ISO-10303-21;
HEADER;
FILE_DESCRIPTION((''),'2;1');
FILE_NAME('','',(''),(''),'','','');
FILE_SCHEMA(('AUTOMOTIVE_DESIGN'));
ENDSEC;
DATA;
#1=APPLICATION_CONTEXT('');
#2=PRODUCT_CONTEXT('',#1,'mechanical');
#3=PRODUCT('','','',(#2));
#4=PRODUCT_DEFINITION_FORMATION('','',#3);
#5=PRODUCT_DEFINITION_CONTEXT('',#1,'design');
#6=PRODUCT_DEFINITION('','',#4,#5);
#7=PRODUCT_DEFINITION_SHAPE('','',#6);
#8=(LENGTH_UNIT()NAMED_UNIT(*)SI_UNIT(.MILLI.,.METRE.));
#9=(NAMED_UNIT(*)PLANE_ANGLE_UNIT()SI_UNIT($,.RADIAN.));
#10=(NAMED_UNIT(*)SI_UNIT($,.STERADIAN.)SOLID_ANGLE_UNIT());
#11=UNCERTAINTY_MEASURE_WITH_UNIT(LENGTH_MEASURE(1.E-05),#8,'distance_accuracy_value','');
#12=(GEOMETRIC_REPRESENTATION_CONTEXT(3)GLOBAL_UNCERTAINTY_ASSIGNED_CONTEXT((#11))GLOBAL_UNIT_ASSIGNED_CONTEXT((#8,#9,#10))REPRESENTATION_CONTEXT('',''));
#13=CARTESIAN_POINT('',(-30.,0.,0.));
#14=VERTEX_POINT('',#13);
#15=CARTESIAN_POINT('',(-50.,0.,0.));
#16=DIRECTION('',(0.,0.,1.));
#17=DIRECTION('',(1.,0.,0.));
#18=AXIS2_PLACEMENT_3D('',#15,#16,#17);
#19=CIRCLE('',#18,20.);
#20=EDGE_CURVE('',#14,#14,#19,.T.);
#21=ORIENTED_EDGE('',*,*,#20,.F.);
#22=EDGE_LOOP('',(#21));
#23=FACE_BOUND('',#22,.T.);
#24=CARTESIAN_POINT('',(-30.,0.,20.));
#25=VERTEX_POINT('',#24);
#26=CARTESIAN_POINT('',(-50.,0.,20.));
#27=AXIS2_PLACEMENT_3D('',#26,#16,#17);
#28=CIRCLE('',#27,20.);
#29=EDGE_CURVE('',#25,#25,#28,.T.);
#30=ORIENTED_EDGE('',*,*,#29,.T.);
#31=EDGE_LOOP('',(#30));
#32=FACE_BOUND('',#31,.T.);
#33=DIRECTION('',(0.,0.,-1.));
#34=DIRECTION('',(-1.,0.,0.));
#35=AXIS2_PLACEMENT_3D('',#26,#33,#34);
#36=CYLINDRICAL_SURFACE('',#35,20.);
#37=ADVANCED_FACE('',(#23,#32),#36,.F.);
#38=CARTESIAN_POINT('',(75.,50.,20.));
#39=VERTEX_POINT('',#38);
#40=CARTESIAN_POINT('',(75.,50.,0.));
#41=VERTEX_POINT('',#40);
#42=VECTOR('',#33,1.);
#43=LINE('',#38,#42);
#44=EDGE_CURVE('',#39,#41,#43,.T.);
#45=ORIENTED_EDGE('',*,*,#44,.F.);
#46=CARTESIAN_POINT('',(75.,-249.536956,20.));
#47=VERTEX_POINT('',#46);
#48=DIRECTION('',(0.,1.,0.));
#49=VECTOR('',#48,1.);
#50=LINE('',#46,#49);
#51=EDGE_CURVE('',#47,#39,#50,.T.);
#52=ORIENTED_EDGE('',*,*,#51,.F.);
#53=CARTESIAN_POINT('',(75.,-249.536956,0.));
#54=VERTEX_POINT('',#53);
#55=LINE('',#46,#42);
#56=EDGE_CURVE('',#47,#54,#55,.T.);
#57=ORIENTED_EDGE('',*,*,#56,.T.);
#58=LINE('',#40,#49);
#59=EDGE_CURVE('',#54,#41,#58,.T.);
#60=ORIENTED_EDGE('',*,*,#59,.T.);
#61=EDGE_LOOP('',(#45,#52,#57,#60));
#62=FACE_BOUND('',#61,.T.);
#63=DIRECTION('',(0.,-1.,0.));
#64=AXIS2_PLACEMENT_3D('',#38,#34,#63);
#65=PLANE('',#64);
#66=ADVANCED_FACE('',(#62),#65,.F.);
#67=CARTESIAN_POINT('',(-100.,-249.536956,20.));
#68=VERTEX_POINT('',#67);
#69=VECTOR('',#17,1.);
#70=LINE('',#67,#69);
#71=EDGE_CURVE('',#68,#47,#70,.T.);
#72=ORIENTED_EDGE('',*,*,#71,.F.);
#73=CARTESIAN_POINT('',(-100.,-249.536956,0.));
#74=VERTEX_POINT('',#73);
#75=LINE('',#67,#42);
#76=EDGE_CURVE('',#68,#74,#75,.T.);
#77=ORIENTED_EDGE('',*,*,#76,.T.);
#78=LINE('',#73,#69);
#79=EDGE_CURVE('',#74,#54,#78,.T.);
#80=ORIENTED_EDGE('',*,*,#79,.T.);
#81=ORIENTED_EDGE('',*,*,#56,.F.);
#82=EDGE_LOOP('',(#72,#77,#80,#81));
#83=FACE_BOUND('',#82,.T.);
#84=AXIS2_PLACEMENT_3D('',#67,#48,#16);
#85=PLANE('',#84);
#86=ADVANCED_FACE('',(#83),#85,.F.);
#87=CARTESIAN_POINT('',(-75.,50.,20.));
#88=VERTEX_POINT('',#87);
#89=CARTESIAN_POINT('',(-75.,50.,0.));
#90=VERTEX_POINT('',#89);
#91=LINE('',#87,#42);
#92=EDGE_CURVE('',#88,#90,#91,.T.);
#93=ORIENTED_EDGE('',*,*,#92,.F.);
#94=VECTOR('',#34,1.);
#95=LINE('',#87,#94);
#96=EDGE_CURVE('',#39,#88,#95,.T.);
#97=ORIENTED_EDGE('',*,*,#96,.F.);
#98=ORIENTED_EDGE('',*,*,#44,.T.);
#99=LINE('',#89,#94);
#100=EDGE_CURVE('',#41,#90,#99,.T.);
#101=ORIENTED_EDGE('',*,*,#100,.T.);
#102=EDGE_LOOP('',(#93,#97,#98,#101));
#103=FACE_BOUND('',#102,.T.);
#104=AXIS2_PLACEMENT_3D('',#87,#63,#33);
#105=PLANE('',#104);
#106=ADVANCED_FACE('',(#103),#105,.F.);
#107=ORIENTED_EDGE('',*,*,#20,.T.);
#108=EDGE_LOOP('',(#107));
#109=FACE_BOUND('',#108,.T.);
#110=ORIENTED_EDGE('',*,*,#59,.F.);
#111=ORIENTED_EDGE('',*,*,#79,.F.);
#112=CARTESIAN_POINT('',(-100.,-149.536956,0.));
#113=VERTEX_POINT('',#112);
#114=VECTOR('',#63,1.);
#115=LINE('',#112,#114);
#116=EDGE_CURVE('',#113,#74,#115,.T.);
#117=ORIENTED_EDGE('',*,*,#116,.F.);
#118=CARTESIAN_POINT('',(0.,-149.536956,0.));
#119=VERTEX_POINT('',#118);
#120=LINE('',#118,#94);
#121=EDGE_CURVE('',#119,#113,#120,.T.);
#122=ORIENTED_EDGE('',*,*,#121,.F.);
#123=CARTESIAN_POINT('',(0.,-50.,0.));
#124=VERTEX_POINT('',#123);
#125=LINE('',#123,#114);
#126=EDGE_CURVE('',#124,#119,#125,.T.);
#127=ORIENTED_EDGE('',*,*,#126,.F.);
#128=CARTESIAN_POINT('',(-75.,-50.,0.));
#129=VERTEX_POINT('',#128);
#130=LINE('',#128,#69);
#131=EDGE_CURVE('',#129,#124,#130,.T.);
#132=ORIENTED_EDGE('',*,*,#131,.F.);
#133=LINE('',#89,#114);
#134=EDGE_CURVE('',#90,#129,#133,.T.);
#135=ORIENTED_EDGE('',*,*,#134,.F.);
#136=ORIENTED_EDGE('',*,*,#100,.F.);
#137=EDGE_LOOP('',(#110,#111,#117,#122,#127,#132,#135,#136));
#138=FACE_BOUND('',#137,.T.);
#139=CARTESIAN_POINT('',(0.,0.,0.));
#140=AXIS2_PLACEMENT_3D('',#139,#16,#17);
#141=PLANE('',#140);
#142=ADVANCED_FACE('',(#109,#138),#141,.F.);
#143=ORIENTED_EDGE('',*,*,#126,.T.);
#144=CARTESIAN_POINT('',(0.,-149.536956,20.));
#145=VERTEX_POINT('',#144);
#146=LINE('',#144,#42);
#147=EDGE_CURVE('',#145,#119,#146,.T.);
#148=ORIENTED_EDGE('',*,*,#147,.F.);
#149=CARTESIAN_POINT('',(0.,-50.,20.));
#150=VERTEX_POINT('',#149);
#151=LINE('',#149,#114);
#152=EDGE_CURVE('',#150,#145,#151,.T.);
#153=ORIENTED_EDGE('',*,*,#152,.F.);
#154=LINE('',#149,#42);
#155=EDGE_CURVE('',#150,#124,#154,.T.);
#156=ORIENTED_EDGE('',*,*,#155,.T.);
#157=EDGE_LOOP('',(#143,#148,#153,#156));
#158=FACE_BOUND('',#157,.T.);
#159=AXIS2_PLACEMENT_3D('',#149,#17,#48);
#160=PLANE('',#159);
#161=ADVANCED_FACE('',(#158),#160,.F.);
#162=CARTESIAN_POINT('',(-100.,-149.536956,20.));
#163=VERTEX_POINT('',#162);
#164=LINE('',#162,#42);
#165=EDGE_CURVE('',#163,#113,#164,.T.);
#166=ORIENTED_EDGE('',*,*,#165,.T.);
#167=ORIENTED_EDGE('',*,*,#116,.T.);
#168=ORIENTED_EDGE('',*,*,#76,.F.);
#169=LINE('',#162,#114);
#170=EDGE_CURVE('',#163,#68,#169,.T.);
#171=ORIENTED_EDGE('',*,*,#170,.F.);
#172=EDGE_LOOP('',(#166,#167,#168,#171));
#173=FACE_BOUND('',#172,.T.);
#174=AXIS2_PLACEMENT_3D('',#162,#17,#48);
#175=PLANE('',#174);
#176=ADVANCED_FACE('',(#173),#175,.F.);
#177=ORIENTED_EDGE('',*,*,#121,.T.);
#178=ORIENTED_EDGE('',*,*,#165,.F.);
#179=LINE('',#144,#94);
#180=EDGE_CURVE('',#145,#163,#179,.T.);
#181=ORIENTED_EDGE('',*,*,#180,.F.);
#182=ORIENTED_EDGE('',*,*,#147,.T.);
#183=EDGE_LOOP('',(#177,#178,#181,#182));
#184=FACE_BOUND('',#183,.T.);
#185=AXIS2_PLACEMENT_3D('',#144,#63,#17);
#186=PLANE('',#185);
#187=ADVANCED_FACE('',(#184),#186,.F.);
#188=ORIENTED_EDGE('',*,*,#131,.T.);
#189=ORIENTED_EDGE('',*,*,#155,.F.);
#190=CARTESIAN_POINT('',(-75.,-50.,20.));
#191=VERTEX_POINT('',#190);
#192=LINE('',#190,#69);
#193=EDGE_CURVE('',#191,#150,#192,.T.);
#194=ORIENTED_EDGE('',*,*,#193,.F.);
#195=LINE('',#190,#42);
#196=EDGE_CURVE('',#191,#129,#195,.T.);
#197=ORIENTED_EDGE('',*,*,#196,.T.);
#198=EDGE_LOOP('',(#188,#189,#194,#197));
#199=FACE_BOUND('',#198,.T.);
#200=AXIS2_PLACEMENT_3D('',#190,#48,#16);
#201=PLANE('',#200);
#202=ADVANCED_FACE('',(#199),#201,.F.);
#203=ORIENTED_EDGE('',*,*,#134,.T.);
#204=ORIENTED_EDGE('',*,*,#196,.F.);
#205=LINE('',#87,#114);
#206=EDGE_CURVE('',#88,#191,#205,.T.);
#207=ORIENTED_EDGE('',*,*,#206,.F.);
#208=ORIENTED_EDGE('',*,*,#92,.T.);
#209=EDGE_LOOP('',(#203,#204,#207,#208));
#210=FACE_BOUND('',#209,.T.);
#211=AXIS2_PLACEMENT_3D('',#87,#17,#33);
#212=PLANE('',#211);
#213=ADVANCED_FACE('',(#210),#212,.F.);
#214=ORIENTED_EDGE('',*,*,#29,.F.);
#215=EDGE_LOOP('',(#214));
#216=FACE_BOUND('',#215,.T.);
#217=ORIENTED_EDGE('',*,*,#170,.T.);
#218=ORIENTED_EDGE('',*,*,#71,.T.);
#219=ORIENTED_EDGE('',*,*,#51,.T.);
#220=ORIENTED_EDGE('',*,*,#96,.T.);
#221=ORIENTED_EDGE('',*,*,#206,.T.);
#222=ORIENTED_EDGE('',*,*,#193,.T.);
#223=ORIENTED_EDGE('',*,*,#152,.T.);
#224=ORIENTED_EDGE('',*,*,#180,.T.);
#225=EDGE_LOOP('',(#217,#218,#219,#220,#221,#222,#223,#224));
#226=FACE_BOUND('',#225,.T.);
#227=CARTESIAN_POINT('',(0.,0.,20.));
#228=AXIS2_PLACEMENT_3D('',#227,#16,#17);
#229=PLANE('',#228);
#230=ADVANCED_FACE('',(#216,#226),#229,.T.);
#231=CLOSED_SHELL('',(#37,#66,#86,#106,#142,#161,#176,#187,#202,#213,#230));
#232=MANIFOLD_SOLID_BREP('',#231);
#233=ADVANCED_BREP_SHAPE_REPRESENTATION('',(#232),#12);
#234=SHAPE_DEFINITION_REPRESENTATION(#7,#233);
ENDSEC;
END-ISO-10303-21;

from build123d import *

# Parameters (mm, degrees)
SKETCH1_R           = 20
BOSS_EXTRUDE2_DEPTH = 20


with BuildPart() as part:
    # Sketch1 → Boss-Extrude2 (new body)
    with BuildSketch(Plane.XY):
        Polygon((0, -50), (0, -149.536956037), (-100, -149.536956037), (-100, -249.536956037), (75, -249.536956037), (75, -50), (75, 50), (-75, 50), (-75, -50), align=None)
        with Locations((-50, 0)):
            Circle(SKETCH1_R, mode=Mode.SUBTRACT)
    extrude(amount=BOSS_EXTRUDE2_DEPTH)


solid = part.part
